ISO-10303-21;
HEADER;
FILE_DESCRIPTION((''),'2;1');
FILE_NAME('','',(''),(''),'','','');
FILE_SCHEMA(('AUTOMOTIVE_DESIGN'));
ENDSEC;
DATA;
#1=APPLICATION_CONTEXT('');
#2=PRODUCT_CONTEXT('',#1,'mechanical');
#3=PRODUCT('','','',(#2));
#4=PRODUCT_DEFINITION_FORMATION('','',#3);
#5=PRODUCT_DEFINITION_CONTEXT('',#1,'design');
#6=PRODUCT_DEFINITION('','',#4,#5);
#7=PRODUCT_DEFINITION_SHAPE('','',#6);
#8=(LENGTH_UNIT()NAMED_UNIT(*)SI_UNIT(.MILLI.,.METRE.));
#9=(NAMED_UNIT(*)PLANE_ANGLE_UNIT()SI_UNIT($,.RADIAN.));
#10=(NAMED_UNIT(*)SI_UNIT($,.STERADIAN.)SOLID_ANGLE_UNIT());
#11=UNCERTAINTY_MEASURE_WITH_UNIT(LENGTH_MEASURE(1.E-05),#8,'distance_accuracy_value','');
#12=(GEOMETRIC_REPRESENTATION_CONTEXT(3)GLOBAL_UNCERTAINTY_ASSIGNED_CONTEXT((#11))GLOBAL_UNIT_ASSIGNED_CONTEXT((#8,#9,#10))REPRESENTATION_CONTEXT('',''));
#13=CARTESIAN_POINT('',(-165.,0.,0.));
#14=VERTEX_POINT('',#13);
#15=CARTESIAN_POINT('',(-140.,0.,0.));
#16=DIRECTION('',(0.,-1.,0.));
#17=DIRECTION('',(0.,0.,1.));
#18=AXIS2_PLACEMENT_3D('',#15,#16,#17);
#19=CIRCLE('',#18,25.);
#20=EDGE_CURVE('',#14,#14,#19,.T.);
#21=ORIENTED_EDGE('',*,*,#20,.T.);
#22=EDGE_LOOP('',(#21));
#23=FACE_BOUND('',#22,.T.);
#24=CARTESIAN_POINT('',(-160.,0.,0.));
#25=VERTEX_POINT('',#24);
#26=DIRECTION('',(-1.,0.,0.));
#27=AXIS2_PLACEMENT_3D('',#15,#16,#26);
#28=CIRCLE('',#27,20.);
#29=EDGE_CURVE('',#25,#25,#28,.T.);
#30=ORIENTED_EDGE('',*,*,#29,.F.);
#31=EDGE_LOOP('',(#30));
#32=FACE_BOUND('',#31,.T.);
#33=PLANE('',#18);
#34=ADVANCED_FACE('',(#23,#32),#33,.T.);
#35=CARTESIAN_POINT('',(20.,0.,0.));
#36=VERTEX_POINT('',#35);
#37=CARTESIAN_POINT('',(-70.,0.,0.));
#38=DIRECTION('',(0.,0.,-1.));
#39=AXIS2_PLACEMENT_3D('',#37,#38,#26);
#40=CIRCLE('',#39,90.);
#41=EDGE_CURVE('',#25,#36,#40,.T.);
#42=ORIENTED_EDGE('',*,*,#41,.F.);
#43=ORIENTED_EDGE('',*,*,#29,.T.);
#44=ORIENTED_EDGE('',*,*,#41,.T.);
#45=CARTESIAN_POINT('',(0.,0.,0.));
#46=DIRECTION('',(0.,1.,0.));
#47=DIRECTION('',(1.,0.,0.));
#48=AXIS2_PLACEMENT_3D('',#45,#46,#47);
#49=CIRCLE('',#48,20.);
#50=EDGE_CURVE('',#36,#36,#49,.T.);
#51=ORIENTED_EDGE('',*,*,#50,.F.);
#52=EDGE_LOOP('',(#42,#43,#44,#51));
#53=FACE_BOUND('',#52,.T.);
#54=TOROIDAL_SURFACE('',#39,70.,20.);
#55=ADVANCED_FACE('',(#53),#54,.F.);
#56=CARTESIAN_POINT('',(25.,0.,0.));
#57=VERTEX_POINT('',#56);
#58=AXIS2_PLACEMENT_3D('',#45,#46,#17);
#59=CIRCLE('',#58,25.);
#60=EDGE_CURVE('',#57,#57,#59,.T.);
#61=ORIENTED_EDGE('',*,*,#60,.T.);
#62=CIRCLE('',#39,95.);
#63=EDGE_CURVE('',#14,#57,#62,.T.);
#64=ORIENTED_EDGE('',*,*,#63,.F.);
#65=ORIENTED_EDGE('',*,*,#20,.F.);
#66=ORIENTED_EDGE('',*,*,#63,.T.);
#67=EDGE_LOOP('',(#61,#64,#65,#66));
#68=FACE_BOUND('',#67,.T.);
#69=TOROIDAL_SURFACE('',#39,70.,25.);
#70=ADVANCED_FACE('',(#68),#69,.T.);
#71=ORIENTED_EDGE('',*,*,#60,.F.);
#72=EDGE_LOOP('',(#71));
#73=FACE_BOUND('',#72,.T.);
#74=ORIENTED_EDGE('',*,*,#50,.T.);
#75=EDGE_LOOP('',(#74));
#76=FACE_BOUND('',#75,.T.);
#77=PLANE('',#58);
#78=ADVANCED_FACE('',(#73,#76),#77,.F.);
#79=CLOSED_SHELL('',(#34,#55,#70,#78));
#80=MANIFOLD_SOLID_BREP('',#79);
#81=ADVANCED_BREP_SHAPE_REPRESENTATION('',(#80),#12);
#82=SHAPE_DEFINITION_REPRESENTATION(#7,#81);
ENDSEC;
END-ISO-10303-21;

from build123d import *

# Parameters (mm, degrees)
SKETCH1_R           = 25
SKETCH1_R_2         = 20
REVOLVE_THIN1_ANGLE = 180


with BuildPart() as part:
    # Sketch1 → Revolve-Thin1 (revolve)
    with BuildSketch(Plane(origin=(0, 0, 0), x_dir=(1, 0, 0), z_dir=(0, 1, 0))):
        Circle(SKETCH1_R)
        Circle(SKETCH1_R_2, mode=Mode.SUBTRACT)
    revolve(axis=Axis((-70, 0, -98), (0, 0, 1)), revolution_arc=REVOLVE_THIN1_ANGLE)


solid = part.part
